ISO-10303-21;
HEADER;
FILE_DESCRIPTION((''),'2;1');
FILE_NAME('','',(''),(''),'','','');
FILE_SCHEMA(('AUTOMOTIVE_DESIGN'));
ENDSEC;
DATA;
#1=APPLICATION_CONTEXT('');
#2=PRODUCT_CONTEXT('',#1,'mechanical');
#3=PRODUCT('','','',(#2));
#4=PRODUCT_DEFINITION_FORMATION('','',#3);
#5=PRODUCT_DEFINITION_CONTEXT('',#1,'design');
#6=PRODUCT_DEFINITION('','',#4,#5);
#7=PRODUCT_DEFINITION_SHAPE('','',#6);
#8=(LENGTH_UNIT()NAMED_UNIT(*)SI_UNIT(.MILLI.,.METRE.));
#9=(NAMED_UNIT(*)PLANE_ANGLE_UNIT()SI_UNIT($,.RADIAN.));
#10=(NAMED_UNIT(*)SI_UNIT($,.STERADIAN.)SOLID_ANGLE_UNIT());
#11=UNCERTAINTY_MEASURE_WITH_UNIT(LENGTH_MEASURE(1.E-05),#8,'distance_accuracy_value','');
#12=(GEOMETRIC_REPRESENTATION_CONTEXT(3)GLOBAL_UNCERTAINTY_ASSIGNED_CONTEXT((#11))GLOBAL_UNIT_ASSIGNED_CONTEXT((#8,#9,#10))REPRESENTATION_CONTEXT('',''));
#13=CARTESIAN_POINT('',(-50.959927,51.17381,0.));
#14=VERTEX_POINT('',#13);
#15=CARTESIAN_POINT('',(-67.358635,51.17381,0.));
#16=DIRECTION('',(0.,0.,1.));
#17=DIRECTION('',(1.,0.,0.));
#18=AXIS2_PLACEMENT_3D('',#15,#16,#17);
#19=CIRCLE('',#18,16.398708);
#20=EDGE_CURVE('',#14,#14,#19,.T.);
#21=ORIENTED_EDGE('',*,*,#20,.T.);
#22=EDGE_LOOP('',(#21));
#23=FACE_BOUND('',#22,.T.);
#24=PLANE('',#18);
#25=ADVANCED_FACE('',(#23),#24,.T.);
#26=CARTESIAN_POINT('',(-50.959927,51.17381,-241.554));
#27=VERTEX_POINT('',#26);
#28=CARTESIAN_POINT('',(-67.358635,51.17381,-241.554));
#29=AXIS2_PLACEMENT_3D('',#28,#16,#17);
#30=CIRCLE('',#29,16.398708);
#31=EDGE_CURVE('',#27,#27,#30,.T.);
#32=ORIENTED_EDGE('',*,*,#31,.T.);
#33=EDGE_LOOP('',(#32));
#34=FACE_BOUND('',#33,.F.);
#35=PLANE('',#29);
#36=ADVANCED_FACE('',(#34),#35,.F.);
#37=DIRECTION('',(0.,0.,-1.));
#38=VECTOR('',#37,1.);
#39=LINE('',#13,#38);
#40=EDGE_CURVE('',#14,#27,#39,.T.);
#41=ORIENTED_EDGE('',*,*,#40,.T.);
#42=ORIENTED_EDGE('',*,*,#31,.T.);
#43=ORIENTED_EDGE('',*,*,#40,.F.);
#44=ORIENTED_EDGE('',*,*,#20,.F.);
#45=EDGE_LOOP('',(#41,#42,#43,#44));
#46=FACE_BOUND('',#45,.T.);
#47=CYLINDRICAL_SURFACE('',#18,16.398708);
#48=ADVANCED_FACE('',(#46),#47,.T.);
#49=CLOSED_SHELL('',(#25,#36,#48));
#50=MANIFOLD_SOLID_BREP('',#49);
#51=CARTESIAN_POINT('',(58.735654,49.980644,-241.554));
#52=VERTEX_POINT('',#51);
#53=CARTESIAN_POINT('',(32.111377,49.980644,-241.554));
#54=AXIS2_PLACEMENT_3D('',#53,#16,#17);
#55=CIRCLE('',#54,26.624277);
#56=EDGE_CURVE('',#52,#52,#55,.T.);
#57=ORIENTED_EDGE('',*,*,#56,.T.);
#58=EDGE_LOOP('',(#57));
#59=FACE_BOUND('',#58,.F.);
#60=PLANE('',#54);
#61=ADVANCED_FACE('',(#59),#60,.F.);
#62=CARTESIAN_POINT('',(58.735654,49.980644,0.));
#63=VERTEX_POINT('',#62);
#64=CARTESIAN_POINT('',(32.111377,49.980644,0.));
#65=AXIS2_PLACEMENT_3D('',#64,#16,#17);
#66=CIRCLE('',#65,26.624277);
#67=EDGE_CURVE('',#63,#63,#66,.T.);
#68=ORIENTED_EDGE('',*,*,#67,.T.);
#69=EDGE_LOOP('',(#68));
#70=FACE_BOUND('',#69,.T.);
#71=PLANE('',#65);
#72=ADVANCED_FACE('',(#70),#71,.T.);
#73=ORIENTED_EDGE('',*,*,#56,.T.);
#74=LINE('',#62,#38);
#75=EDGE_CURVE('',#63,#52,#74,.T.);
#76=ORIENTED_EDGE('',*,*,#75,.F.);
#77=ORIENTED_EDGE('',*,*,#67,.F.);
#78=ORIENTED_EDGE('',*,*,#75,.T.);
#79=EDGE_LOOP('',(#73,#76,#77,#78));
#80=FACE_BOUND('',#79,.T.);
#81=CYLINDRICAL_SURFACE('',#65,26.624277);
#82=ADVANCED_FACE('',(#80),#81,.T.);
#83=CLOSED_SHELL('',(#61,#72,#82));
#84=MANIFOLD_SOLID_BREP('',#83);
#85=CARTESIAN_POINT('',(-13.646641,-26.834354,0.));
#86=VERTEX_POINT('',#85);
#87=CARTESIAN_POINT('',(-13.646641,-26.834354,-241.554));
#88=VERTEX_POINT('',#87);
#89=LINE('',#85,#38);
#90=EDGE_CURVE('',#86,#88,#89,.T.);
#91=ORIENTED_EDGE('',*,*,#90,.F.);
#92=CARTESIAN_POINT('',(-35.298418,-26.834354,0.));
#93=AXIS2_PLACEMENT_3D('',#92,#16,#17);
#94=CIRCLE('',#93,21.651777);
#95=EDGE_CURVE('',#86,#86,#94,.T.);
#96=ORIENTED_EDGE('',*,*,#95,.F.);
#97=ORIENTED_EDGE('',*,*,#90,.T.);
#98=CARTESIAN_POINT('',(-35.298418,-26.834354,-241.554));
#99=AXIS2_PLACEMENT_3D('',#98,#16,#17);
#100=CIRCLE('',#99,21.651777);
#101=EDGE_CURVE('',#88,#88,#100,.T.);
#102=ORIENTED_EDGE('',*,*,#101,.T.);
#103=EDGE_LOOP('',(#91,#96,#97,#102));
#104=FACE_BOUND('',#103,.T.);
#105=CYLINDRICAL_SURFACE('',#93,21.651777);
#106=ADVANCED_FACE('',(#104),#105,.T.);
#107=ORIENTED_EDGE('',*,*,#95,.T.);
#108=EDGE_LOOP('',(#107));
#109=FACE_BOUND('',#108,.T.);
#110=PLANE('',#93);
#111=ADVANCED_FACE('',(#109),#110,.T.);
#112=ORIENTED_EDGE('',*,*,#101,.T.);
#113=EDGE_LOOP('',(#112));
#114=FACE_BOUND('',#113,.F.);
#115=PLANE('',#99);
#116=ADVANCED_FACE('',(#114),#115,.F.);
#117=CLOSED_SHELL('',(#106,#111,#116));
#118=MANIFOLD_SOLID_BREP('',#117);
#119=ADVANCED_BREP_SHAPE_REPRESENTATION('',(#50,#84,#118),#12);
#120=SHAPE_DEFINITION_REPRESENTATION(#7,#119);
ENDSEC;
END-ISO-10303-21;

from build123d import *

# Parameters (mm, degrees)
F0_R     = 16.398708
F0_R_2   = 26.624277
F0_R_3   = 21.651777
F1_DEPTH = 241.554


with BuildPart() as f1:
    # F0 (on Top) → F1 (new body)
    with BuildSketch(Plane.XY):
        with Locations((-67.358635, 51.17381)):
            Circle(F0_R)
        with Locations((32.111377, 49.980644)):
            Circle(F0_R_2)
        with Locations((-35.298418, -26.834354)):
            Circle(F0_R_3)
    extrude(amount=-F1_DEPTH)


solid = f1.part
